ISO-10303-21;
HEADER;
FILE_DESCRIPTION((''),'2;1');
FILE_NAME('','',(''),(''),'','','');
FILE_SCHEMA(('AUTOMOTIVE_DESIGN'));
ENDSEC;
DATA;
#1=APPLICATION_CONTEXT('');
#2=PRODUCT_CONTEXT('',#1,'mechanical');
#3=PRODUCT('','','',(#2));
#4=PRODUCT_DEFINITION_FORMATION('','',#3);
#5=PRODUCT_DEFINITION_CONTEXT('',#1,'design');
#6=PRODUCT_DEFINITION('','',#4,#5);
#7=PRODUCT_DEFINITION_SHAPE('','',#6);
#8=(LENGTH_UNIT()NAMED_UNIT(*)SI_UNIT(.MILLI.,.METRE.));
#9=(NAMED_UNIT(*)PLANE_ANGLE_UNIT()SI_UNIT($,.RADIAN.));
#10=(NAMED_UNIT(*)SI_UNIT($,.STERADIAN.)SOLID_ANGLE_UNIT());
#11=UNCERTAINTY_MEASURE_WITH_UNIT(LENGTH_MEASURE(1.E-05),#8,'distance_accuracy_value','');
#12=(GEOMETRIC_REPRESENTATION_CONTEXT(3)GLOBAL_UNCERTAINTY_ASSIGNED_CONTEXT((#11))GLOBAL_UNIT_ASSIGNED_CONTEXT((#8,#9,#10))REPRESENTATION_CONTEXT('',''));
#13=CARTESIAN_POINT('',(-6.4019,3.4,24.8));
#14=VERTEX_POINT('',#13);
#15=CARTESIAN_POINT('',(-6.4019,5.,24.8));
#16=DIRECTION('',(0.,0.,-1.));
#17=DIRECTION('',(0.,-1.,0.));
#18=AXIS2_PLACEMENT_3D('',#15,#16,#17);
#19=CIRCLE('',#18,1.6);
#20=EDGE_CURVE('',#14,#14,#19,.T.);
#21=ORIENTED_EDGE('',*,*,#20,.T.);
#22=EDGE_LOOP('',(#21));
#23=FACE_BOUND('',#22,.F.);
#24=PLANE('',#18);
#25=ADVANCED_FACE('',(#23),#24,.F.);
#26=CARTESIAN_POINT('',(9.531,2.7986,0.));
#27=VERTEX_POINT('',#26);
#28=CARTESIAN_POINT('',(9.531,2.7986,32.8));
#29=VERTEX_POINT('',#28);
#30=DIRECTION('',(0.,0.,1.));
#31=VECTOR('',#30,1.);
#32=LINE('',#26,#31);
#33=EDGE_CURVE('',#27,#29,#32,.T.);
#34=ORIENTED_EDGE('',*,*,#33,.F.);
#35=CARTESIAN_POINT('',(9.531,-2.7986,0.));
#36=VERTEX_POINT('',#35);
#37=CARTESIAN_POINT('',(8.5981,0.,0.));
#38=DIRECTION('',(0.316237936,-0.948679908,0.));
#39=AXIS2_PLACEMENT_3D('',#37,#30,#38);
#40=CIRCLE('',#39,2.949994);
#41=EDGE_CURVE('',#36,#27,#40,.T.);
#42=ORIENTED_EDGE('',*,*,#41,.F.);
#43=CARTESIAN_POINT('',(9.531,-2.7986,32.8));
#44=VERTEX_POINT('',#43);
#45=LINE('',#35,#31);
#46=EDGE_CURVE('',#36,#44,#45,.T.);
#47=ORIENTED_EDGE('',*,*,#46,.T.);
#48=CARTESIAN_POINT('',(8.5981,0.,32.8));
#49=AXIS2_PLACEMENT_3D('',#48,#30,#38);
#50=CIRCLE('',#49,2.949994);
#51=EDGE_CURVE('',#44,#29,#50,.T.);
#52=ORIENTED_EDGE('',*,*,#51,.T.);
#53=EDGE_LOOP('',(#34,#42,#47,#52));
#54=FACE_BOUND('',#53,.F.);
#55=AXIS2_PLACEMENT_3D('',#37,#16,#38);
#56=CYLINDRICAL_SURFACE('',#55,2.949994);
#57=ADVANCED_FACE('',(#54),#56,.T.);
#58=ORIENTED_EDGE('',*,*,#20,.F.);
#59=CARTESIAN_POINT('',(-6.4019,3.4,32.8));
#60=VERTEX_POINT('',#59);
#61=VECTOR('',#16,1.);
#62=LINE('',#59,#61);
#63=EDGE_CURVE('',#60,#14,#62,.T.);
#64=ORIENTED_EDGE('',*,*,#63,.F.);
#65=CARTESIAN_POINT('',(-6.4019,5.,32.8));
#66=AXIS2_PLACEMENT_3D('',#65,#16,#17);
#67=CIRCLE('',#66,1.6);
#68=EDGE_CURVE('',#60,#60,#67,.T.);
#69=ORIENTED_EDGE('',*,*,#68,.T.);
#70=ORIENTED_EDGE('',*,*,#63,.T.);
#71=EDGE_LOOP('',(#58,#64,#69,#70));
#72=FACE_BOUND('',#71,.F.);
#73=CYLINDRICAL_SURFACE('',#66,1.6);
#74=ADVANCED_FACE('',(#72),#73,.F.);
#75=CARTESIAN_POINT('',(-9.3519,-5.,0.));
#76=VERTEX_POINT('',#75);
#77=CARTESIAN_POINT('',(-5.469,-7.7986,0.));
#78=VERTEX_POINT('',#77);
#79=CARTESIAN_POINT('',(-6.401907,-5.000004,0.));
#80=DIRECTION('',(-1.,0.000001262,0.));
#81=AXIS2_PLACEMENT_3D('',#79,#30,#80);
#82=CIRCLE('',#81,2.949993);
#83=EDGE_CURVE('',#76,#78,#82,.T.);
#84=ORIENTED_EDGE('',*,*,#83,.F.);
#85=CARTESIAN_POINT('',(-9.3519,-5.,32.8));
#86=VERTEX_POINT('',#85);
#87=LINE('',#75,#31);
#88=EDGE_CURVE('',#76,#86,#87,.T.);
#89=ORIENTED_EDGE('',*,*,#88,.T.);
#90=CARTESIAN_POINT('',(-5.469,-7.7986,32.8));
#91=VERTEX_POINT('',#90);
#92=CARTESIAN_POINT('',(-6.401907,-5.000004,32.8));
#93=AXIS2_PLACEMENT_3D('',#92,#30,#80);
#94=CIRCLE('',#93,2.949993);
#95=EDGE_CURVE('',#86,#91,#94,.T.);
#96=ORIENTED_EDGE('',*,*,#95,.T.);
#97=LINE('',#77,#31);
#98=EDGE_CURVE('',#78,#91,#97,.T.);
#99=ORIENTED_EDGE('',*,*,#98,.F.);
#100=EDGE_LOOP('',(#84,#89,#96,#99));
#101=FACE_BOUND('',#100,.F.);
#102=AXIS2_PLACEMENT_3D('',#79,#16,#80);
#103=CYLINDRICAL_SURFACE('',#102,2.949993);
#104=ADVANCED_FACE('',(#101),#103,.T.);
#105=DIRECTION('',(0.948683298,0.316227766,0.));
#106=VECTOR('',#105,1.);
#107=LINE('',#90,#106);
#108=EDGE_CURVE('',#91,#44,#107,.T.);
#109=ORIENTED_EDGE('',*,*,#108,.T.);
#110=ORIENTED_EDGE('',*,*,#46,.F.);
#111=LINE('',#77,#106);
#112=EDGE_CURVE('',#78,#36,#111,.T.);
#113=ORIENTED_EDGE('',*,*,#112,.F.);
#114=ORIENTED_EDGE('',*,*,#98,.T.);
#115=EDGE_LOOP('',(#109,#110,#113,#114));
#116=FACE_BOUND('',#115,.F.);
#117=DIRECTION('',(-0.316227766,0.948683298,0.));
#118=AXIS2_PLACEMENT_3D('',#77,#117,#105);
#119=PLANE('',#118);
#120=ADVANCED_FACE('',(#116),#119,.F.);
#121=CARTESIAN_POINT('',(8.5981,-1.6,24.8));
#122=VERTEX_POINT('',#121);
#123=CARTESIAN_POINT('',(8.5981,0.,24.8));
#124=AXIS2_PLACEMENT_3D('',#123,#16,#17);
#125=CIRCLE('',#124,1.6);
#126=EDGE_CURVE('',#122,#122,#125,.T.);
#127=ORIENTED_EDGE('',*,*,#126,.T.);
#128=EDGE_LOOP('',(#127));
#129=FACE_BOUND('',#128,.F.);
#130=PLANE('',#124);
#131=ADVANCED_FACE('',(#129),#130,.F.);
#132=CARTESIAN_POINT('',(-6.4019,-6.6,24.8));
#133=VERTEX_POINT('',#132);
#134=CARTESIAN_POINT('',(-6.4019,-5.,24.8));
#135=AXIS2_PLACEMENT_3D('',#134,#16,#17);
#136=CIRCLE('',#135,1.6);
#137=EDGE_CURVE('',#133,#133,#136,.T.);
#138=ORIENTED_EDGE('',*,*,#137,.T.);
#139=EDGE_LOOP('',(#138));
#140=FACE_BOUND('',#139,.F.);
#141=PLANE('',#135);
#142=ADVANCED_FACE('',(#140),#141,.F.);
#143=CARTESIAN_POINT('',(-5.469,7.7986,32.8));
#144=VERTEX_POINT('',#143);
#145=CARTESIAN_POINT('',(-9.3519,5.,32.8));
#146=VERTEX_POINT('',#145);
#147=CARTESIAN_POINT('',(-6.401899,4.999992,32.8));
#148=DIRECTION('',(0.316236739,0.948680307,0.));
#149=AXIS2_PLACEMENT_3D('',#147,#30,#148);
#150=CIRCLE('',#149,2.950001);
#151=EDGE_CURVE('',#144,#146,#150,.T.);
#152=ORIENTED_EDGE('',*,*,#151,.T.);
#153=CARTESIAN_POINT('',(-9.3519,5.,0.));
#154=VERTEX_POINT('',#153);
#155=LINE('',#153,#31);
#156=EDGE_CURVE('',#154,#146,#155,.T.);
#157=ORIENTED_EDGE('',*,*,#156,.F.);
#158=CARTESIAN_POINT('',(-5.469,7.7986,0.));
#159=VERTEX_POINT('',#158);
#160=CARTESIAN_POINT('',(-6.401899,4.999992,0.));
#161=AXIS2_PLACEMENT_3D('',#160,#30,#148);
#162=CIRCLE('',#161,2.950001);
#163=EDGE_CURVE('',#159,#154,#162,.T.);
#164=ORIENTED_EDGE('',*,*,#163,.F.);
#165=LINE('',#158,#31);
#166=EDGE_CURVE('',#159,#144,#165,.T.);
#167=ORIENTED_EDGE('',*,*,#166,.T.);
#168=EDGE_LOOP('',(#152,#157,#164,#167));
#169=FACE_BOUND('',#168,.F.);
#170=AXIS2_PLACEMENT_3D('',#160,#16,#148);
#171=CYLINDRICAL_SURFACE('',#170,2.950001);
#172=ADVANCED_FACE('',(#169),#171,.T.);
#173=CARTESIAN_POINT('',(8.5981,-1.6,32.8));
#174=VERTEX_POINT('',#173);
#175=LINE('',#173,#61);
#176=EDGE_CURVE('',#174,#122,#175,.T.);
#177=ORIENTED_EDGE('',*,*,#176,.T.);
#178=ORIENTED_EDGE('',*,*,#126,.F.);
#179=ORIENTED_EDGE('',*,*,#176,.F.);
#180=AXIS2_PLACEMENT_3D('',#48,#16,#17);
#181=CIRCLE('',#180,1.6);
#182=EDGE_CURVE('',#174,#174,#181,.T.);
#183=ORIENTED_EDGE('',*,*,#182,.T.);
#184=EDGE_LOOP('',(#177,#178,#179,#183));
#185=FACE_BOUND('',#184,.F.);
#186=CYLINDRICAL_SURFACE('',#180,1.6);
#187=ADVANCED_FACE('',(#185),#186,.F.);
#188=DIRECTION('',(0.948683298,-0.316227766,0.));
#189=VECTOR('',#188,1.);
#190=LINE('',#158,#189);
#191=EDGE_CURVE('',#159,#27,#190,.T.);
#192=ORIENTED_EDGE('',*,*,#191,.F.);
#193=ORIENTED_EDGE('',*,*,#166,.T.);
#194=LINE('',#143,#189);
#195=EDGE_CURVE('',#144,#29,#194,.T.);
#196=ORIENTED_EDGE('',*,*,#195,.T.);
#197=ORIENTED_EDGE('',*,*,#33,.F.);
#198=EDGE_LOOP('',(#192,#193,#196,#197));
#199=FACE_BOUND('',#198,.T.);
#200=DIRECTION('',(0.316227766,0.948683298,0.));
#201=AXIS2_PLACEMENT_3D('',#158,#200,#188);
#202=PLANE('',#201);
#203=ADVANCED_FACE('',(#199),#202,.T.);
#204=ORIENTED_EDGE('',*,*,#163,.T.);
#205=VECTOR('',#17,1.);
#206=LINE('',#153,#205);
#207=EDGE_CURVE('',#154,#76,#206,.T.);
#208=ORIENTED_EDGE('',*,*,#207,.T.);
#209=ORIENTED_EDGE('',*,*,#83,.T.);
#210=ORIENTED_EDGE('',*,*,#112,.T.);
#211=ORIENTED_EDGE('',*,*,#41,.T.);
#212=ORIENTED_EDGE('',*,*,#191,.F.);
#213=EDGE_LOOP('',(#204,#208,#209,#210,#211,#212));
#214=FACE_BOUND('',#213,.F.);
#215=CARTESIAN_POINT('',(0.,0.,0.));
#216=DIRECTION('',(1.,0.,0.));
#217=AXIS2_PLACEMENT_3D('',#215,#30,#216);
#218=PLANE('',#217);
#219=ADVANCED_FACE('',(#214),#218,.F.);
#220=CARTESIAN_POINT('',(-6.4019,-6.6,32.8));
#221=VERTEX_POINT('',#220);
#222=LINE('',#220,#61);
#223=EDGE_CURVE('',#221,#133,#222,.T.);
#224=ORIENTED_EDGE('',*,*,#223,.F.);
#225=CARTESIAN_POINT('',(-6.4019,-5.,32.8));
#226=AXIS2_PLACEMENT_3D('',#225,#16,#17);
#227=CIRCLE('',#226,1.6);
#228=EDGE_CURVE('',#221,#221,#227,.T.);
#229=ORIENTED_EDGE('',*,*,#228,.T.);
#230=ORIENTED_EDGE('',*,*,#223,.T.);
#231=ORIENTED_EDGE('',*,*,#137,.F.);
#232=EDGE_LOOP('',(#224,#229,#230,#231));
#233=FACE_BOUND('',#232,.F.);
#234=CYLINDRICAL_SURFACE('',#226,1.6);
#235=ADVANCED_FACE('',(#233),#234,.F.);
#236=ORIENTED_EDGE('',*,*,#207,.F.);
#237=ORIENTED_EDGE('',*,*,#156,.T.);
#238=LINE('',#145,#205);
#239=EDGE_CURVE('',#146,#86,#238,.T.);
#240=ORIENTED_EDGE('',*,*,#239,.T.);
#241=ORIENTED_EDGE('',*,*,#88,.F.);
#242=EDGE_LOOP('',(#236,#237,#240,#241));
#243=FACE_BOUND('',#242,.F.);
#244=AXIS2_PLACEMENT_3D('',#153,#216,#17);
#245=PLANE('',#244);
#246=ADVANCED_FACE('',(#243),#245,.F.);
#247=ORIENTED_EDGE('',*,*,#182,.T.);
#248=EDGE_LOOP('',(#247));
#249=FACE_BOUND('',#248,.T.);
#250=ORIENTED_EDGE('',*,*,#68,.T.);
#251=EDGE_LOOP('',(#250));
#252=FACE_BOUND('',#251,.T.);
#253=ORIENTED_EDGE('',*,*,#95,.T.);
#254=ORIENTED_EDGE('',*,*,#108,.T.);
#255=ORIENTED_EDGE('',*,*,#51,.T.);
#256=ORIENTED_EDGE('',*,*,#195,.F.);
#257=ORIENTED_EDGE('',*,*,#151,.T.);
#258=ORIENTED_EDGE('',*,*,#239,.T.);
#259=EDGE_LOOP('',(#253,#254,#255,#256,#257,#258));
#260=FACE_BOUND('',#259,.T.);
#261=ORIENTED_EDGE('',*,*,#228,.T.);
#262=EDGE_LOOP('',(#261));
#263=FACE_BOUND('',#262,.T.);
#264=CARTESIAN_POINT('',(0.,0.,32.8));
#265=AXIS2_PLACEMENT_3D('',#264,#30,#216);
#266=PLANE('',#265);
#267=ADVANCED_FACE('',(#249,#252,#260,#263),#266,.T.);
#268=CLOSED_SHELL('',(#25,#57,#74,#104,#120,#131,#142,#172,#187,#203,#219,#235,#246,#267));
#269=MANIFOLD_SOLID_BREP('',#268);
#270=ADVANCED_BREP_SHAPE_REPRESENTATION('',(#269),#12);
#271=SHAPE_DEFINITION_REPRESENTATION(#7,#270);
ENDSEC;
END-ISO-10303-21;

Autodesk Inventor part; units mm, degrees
ref_plane "YZ Plane" through (0, 0, 0) normal (1, 0, 0) x (0, 1, 0)
ref_plane "XZ Plane" through (0, 0, 0) normal (0, 1, 0) x (-1, 0, 0)
ref_plane "XY Plane" through (0, 0, 0) normal (0, 0, 1) x (1, 0, 0)
sketch "スケッチ1" plane through (0, 0, 0) normal (0, 0, 1) x (1, 0, 0)
  arc A0 (-3.6033, 4.0671) -> (-5.469, 7.7986) centre (-6.4019, 5) ccw
  arc A1 (-9.3519, -5) -> (-5.469, -7.7986) centre (-6.4019, -5) ccw
  arc A2 (5.7995, 0.9329) -> (9.531, -2.7986) centre (8.5981, 0) ccw
  line L0 (-9.3519, 5) -> (-9.3519, -5)
  line L1 (8.5981, 0) -> (-6.4019, 5)
  line L2 (-6.4019, 5) -> (-5.469, 7.7986)
  line L3 (-5.469, 7.7986) -> (9.531, 2.7986)
  line L4 (8.5981, 0) -> (-6.4019, -5)
  line L5 (-6.4019, -5) -> (-5.469, -7.7986)
  line L6 (-5.469, -7.7986) -> (9.531, -2.7986)
  arc A3 (-9.3519, 5) -> (-3.6033, 4.0671) centre (-6.4019, 5) ccw
  arc A4 (-3.6033, -4.0671) -> (-9.3519, -5) centre (-6.4019, -5) ccw
  arc A5 (-5.469, -7.7986) -> (-3.6033, -4.0671) centre (-6.4019, -5) ccw
  arc A6 (-5.469, 7.7986) -> (-9.3519, 5) centre (-6.4019, 5) ccw
  arc A7 (9.531, 2.7986) -> (5.7995, 0.9329) centre (8.5981, 0) ccw
  arc A8 (9.531, -2.7986) -> (9.531, 2.7986) centre (8.5981, 0) ccw
  point P0 (0, 0)
  dimension "d0" = 15
  dimension "d1" = 15
  dimension "d2" = 10
  dimension "d3" = 5
  dimension "d4" = 0
  dimension "d5" = 5.9
  dimension "d6" = 5.9
  dimension "d7" = 5.9
extrude "押し出し1" add sketch "スケッチ1" along normal blind 32.8
sketch "スケッチ2" plane through (0, 0, 32.8) normal (0, 0, 1) x (1, 0, 0)
  arc A0 (9.531, -2.7986) -> (9.531, 2.7986) centre (8.5981, 0) ccw projected
  arc A1 (-5.469, 7.7986) -> (-9.3519, 5) centre (-6.4019, 5) ccw projected
  arc A2 (-9.3519, -5) -> (-5.469, -7.7986) centre (-6.4019, -5) ccw projected
  point P0 (0, 0)
hole "Hole1" at (-6.4019, 5, 32.8) at (-6.4019, -5, 32.8) at (8.5981, 0, 32.8) direction (0, 0, -1) diameter 3.2 depth 8
equation "\"d1\" = d0"
equation "\"d3\" = 0.5 * d2"
properties part number "JointC4_"
